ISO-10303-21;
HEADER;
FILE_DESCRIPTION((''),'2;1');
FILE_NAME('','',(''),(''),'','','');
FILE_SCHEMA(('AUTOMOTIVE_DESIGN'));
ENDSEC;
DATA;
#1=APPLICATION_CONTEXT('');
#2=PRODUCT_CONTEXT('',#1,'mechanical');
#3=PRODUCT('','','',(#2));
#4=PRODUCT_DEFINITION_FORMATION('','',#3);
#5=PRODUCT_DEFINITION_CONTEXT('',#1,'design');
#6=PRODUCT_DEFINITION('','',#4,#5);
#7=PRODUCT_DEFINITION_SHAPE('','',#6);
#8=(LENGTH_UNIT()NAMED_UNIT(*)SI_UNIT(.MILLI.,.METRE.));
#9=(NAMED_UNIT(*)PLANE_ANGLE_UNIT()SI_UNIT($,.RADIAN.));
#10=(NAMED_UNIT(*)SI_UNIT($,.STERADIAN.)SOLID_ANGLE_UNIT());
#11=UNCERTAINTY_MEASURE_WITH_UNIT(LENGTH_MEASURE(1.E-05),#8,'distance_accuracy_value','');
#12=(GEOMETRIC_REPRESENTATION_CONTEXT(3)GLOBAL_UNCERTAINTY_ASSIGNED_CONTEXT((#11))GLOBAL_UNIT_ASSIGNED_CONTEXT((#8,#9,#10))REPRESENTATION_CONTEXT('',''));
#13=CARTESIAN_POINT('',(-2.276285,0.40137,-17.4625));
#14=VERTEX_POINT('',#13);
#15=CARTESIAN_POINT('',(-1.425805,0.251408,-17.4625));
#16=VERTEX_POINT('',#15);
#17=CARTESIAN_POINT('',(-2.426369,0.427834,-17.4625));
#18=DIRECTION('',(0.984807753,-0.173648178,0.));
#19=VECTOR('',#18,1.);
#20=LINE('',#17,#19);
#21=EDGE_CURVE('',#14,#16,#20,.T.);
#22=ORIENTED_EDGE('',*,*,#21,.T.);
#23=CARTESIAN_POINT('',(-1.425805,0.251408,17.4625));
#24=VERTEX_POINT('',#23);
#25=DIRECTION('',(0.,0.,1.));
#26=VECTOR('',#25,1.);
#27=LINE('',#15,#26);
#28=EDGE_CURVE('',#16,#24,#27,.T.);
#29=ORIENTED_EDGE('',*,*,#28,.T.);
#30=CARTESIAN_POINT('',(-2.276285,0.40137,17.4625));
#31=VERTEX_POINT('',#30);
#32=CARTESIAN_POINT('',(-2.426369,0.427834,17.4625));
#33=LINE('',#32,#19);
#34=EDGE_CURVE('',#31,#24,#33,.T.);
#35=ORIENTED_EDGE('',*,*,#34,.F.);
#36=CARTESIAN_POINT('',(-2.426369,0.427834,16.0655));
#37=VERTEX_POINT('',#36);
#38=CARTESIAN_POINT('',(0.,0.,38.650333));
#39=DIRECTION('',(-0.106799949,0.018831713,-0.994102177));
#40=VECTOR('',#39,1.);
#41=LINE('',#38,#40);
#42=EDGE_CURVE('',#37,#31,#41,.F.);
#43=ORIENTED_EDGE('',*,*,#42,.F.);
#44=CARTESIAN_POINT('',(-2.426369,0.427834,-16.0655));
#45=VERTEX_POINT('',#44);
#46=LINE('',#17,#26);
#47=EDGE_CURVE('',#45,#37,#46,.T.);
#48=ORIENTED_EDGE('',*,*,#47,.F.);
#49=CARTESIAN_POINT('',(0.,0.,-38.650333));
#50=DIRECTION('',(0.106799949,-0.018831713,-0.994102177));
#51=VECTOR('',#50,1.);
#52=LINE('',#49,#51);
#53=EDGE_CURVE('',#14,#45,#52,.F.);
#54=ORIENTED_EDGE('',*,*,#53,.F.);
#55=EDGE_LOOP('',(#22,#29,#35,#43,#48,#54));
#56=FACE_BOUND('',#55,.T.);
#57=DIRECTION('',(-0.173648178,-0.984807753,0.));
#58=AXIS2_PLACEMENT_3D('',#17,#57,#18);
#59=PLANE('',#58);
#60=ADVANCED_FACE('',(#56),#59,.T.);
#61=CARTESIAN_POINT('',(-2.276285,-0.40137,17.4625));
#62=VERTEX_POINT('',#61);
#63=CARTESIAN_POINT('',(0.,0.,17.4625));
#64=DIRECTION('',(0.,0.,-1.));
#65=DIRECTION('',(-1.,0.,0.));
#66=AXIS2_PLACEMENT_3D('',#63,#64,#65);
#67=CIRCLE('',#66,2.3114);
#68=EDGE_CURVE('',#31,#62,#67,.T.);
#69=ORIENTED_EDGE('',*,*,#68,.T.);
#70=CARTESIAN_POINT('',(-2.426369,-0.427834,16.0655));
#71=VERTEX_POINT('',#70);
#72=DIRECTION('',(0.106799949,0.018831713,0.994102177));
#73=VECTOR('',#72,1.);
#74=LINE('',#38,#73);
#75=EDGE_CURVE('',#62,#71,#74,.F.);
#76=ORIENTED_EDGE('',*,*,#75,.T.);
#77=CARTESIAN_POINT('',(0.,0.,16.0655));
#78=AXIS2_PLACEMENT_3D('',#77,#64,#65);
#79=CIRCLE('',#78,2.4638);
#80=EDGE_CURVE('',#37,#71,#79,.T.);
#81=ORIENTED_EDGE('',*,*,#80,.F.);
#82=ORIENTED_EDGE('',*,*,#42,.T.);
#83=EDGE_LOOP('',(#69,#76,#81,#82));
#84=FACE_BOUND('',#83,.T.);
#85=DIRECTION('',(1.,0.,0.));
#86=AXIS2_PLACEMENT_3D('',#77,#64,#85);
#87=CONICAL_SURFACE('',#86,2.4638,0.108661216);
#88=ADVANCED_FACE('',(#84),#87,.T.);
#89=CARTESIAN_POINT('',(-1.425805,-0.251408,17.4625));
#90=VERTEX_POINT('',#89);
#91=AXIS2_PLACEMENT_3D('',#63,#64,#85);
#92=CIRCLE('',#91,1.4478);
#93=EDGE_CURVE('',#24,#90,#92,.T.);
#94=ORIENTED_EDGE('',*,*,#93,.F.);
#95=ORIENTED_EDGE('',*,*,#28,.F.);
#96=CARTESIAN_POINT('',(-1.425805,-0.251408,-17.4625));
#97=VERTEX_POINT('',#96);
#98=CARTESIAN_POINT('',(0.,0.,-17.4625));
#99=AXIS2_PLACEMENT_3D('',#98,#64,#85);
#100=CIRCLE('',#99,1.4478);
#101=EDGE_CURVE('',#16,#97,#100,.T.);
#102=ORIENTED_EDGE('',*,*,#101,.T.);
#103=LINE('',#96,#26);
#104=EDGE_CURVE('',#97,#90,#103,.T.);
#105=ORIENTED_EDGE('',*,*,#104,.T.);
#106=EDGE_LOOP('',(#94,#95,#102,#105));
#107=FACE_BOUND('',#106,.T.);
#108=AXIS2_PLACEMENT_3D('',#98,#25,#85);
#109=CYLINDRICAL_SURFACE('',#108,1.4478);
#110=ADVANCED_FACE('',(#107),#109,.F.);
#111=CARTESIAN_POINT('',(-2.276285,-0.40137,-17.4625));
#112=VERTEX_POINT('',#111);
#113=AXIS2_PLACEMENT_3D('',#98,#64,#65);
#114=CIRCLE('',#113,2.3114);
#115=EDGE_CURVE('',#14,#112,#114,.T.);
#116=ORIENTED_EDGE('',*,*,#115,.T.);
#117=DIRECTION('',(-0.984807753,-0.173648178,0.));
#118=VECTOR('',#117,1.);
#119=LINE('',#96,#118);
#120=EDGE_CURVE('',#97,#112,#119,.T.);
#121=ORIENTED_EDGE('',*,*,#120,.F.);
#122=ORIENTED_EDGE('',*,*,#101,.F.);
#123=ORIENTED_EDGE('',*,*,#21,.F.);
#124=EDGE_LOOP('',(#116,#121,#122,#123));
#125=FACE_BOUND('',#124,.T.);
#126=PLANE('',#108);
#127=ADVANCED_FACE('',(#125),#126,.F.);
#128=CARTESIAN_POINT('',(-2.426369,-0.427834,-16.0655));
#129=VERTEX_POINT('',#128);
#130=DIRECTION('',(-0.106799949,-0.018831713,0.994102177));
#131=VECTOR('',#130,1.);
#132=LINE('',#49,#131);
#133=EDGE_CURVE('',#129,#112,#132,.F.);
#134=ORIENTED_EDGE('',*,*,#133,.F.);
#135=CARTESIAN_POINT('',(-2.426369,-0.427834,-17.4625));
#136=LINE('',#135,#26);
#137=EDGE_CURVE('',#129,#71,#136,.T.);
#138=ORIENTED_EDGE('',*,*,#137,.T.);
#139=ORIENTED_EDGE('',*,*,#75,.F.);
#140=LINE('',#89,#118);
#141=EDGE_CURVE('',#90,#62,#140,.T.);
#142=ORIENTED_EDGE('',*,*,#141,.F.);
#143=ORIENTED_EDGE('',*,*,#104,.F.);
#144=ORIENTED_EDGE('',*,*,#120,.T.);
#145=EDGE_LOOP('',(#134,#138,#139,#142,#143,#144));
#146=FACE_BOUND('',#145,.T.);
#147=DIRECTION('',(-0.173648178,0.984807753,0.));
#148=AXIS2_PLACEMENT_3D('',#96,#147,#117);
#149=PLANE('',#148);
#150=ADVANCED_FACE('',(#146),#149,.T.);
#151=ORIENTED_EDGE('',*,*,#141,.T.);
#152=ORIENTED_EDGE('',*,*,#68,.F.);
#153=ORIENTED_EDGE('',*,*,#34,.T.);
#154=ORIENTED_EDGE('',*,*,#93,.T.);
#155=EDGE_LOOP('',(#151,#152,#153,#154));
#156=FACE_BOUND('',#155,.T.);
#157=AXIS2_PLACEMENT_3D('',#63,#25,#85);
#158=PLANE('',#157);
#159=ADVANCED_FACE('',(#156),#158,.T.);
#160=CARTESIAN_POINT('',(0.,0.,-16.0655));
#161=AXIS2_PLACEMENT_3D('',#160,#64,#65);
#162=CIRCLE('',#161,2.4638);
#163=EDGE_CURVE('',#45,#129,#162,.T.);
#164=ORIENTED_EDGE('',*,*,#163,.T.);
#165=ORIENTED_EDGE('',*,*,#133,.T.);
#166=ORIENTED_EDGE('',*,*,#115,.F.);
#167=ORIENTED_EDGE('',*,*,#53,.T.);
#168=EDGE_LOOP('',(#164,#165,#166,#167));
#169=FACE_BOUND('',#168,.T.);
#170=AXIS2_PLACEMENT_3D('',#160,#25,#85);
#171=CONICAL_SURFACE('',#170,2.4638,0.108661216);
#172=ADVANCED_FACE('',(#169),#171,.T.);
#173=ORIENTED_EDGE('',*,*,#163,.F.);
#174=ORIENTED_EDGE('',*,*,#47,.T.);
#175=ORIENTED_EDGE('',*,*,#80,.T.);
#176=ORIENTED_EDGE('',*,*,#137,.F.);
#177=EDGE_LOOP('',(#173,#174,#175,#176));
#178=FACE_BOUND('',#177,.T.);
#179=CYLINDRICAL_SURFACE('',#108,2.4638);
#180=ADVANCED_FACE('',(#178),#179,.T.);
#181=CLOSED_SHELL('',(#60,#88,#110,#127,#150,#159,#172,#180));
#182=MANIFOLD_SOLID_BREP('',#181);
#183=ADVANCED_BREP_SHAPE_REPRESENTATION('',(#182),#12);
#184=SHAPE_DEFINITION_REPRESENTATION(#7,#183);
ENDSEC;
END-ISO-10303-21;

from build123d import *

# Parameters (mm, degrees)
EXTRUDE1_DEPTH      = 17.4625
EXTRUDE1_DEPTH_BACK = 17.4625


with BuildPart() as part:
    # Sketch1 → Extrude1 (new, two sides: drawn at the far end of the back side and taken through both)
    with BuildSketch(Plane.XY.offset(-EXTRUDE1_DEPTH_BACK)):
        with BuildLine():
            Line((-1.425804665, -0.251407832), (-2.426369342, -0.42783438))
            ThreePointArc((-2.426369342, -0.42783438), (2.4638, 0), (-2.426369342, 0.42783438))
            Line((-2.426369342, 0.42783438), (-1.425804665, 0.251407832))
            ThreePointArc((-1.425804665, 0.251407832), (1.4478, 0), (-1.425804665, -0.251407832))
        make_face()
    extrude(amount=EXTRUDE1_DEPTH + EXTRUDE1_DEPTH_BACK)

    # Sketch2 → Cut-Revolve1 (revolve, cut)
    with BuildSketch(Plane(origin=(0, 0, 0), x_dir=(0, 0, -1), z_dir=(1, 0, 0))):
        Polygon((17.4625, 2.3114), (16.0655, 2.4638), (17.4625, 2.4638), align=None)
    cut_revolve1 = revolve(axis=Axis((0, 0, -17.4625), (0, 0, 1)), mode=Mode.SUBTRACT)

    # Mirror1: Cut-Revolve1 across plane
    add(cut_revolve1.mirror(Plane.XY), mode=Mode.SUBTRACT)


solid = part.part
